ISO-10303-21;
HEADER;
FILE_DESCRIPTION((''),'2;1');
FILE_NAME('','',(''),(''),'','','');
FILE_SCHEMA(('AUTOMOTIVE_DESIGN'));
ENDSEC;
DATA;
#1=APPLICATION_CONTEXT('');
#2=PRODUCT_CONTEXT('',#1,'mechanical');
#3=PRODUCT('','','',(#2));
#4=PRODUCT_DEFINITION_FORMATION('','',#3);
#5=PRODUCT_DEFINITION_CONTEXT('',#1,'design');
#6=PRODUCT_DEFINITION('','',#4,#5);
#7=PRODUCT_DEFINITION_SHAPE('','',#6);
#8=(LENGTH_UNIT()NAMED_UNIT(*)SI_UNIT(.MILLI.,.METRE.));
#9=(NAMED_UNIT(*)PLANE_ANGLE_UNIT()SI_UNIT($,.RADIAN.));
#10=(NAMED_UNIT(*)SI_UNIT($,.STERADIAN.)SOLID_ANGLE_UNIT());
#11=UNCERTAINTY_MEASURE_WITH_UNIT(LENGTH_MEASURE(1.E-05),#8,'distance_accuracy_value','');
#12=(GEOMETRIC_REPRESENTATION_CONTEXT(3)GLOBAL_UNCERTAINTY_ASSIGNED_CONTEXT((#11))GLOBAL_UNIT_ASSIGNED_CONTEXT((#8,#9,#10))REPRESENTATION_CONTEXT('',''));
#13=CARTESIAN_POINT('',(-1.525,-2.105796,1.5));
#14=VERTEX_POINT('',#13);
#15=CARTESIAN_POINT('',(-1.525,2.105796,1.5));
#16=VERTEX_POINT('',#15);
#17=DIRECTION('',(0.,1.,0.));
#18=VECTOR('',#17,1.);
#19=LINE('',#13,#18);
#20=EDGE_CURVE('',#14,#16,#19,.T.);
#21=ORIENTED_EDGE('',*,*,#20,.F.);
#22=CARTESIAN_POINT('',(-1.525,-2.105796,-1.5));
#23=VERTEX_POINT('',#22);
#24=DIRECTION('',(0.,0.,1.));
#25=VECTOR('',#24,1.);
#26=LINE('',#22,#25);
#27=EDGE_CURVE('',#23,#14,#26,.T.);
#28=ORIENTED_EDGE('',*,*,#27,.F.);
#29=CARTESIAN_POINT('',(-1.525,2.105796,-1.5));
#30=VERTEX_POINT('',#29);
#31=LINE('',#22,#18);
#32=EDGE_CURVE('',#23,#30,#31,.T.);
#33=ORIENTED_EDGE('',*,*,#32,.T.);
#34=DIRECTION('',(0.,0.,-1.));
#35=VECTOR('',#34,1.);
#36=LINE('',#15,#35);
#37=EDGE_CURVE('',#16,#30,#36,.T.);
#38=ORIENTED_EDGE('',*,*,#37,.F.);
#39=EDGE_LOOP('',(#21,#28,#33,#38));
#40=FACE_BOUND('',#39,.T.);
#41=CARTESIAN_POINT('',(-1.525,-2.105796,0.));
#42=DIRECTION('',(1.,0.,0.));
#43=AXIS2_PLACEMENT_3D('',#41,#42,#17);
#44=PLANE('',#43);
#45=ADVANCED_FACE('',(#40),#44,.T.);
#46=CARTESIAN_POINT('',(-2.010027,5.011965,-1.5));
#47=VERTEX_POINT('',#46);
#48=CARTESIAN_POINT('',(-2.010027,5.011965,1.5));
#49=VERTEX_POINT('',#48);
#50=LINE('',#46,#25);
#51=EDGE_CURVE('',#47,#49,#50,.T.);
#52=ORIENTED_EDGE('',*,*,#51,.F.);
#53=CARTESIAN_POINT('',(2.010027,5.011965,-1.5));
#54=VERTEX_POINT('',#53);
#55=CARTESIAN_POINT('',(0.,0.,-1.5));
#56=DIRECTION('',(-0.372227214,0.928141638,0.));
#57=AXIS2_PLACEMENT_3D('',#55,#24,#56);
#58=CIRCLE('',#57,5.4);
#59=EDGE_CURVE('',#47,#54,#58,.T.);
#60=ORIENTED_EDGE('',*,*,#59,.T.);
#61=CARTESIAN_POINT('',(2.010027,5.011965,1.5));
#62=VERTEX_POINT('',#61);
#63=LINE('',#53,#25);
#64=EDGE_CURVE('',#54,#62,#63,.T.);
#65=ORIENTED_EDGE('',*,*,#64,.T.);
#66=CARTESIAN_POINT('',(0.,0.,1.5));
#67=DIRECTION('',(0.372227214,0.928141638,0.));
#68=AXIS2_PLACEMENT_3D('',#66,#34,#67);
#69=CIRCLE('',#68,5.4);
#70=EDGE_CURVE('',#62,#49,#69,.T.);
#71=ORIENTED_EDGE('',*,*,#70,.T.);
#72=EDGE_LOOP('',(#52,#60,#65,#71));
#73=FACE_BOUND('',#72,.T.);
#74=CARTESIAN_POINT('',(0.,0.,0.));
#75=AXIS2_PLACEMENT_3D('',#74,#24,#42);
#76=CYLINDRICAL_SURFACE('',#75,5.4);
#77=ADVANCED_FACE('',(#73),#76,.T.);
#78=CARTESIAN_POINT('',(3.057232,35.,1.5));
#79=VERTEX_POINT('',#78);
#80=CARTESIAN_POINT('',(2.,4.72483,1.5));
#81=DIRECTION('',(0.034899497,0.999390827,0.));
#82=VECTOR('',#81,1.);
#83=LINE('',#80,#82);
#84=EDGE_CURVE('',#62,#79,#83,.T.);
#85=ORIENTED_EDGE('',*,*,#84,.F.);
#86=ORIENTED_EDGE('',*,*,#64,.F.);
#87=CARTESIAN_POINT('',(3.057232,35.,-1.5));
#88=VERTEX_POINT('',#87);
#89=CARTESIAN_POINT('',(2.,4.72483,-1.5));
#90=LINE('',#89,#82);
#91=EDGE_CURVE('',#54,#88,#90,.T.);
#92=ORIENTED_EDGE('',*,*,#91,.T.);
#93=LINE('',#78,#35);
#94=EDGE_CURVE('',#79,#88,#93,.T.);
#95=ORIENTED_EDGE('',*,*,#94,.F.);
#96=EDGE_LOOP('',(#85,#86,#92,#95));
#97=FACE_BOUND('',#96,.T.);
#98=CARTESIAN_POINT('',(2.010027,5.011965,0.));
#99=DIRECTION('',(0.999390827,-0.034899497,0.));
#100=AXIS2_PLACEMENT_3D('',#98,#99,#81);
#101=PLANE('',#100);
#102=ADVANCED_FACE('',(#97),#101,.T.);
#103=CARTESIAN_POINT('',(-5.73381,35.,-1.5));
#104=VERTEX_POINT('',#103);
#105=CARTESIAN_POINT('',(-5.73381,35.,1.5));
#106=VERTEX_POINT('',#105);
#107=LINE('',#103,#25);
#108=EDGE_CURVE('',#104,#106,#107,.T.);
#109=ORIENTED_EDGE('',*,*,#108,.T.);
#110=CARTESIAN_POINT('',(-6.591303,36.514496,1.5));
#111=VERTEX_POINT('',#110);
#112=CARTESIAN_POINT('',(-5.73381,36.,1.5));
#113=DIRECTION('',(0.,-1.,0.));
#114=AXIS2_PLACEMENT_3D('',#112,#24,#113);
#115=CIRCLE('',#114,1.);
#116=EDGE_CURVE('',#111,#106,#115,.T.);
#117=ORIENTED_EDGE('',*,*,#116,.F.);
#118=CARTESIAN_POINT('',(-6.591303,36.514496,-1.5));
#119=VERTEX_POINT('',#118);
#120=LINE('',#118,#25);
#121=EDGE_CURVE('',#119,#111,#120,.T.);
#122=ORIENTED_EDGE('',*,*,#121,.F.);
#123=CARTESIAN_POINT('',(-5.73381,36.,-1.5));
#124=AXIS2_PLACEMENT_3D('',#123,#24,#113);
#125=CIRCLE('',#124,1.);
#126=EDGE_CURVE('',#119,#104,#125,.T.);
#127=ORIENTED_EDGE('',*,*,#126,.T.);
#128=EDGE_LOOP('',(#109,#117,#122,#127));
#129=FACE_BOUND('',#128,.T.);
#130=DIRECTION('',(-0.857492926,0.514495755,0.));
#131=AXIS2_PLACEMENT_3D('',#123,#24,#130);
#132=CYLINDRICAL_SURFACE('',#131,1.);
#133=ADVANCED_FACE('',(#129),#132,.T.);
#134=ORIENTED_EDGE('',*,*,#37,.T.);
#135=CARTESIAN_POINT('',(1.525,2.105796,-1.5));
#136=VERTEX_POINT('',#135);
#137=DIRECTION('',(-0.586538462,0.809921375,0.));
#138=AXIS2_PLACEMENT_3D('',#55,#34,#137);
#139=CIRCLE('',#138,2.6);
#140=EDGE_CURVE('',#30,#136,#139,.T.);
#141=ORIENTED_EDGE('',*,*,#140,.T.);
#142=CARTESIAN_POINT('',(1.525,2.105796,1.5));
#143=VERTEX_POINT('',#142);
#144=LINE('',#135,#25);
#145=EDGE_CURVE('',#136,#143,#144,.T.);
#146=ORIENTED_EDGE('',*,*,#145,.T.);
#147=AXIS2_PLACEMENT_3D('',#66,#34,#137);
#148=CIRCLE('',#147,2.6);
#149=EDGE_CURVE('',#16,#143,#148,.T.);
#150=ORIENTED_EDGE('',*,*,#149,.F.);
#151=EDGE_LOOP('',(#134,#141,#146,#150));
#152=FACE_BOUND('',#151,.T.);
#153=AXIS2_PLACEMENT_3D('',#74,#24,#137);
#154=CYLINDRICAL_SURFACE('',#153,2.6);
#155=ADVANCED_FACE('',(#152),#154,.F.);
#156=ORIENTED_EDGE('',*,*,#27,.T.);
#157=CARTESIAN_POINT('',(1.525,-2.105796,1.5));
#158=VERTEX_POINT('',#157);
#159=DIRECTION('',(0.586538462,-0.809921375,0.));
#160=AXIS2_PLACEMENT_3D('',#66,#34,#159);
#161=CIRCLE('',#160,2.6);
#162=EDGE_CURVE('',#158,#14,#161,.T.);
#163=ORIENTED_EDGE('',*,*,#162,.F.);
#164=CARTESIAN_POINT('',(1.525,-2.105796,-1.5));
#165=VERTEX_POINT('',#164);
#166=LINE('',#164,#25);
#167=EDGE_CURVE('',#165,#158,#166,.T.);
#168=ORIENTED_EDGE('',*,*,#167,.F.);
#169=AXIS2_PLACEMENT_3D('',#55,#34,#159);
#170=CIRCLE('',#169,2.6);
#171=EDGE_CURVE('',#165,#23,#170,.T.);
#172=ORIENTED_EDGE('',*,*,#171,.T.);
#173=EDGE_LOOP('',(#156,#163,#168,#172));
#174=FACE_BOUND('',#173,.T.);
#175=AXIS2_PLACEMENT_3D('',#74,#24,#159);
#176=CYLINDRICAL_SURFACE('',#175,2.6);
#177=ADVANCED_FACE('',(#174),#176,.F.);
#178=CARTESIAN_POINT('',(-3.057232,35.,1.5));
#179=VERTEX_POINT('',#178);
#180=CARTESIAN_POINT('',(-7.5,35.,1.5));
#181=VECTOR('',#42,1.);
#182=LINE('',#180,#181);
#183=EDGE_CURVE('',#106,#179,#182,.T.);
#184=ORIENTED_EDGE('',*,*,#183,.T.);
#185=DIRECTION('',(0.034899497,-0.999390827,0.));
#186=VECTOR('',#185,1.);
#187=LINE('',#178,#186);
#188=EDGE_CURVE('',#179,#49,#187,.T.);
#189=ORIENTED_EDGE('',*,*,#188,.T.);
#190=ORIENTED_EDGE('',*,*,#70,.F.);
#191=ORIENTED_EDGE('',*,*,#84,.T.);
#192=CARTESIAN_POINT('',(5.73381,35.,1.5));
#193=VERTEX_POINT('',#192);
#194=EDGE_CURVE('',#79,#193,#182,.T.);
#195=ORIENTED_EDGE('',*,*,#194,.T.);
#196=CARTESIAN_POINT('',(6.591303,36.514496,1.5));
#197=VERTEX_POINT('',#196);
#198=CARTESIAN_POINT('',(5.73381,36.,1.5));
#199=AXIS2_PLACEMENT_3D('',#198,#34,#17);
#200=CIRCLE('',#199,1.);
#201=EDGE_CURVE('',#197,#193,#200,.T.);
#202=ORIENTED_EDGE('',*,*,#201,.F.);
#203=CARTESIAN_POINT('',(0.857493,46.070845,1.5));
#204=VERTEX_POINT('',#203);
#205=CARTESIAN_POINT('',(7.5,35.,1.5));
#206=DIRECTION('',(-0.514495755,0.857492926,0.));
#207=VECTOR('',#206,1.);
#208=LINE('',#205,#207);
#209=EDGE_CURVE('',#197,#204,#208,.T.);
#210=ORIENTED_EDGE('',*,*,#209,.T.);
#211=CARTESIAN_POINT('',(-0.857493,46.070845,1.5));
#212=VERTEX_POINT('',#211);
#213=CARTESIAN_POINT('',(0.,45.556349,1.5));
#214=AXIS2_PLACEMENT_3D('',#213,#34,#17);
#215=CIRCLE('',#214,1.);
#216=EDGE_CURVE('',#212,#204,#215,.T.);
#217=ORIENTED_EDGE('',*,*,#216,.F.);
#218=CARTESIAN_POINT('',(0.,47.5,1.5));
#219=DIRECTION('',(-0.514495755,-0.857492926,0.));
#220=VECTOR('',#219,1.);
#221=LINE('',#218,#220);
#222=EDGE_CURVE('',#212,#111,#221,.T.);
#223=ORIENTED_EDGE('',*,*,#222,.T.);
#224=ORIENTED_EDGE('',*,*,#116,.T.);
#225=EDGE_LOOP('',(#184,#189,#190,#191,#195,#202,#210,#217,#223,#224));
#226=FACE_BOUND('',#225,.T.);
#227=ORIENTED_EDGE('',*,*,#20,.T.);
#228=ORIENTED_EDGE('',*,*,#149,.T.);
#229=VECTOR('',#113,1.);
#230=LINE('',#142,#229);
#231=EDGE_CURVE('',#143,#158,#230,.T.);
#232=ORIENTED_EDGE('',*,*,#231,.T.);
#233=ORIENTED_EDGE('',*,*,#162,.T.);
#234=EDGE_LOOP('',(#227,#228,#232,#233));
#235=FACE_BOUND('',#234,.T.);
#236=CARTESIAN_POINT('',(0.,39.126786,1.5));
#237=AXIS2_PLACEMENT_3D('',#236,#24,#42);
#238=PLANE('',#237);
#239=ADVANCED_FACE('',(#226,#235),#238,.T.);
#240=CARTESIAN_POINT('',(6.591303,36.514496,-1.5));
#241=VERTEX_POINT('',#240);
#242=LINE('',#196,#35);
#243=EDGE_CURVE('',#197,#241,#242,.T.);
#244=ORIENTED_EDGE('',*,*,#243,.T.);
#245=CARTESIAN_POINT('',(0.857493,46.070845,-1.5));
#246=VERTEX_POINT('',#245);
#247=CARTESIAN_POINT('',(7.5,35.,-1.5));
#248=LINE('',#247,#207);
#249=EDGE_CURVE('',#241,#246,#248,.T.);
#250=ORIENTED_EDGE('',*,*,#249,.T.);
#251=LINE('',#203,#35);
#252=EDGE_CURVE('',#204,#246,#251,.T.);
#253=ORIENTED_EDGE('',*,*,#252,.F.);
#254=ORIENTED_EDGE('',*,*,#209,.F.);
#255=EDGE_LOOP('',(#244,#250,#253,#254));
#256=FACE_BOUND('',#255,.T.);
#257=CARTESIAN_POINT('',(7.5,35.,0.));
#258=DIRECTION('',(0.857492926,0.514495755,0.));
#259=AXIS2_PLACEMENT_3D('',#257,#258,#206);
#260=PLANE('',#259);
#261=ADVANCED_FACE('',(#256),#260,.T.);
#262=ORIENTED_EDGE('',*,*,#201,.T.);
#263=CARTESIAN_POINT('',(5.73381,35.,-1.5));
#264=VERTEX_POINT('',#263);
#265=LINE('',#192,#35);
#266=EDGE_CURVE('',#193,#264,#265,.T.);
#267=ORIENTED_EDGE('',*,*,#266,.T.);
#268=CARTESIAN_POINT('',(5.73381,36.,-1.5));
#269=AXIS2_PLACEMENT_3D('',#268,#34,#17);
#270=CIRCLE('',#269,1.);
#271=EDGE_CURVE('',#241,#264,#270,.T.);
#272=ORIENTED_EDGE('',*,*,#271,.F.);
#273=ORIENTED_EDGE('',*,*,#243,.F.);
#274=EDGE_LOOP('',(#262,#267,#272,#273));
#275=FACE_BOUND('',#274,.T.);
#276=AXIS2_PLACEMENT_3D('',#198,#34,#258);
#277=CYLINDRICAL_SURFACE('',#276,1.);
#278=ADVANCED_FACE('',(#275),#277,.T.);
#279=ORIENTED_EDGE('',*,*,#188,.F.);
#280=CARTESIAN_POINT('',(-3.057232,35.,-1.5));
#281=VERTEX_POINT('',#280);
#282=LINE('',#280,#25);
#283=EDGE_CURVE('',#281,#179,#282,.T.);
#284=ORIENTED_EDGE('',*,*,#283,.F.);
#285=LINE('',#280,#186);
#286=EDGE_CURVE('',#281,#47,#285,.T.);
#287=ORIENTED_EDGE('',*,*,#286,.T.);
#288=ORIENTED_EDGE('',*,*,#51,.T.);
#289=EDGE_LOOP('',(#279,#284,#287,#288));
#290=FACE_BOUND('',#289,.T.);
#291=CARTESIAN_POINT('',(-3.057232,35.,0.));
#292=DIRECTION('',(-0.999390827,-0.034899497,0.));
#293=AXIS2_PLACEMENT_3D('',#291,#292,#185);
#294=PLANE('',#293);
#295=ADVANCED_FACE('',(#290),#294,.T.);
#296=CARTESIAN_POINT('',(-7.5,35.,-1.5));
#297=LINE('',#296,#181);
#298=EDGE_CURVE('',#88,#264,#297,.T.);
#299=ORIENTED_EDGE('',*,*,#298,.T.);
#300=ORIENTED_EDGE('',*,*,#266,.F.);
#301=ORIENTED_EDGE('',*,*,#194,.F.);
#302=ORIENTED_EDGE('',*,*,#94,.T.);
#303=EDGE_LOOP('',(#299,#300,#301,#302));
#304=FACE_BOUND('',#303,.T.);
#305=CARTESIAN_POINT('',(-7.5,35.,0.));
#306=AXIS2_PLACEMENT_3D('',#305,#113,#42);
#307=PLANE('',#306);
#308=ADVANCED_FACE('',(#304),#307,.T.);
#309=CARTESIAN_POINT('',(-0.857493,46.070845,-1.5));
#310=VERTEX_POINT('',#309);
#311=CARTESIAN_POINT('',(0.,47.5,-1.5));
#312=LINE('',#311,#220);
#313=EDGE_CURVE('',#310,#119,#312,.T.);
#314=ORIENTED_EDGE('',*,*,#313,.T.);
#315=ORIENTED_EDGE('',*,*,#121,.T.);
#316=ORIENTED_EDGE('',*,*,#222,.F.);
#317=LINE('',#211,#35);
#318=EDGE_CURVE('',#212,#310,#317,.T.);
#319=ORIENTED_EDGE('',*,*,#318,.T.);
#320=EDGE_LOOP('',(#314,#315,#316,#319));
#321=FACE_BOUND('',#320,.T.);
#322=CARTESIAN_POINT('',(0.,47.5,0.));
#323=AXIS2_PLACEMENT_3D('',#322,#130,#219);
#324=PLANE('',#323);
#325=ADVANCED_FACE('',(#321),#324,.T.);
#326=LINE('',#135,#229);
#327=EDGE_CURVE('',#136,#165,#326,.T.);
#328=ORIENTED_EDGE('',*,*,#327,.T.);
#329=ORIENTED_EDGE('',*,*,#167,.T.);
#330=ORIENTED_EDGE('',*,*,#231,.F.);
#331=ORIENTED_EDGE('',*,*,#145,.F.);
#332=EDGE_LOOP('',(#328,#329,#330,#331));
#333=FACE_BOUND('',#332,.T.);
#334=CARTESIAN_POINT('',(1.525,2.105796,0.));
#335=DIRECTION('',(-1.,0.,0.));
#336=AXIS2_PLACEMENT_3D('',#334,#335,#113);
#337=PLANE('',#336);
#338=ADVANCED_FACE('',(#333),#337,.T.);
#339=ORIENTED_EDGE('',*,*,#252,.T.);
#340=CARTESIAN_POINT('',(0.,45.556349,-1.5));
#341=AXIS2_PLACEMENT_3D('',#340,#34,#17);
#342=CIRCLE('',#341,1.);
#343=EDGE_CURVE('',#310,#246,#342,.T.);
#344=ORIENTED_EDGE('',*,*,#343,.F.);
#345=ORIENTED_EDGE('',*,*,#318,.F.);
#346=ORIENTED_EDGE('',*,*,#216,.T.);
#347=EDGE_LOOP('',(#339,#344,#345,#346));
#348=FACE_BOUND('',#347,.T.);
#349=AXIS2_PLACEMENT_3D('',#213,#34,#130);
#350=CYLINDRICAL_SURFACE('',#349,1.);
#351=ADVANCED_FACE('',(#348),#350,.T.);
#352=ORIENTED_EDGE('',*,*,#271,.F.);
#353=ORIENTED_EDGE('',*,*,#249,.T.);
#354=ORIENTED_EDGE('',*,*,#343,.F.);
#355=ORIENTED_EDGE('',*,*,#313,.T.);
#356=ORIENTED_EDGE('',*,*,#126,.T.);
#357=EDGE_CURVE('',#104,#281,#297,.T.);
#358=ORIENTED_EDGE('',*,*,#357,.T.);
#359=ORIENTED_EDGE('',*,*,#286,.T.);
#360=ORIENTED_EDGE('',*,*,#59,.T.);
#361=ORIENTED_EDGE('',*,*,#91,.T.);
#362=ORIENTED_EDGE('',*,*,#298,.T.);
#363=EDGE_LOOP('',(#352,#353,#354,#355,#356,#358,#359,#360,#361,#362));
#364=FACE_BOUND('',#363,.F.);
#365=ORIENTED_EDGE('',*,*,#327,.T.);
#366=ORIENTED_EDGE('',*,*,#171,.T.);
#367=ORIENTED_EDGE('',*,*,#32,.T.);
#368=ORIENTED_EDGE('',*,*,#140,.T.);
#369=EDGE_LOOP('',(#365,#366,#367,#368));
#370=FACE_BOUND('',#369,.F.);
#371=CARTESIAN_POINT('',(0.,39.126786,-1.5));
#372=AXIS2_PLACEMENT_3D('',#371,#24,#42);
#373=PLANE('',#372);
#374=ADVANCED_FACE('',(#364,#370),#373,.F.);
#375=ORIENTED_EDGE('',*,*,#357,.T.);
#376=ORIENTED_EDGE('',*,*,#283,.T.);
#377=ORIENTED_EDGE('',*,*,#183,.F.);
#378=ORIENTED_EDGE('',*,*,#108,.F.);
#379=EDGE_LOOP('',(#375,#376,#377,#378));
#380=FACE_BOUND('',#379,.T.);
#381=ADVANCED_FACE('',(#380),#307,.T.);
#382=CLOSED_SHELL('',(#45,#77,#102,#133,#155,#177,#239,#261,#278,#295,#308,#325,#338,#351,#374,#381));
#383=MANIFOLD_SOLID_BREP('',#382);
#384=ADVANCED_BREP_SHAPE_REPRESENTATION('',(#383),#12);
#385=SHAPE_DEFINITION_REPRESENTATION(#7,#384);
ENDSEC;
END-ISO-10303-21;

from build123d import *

# Parameters (mm, degrees)
F0_R     = 5.4
F1_DEPTH = 1.5
F3_DEPTH = 1.5
F4_DEPTH = 1.5
F6_DEPTH = 1.5
F7_DEPTH = 1.5
F8_R     = 1


with BuildPart() as f1:
    # F0 (on Top) → F1 (new body, symmetric)
    with BuildSketch(Plane.XY):
        Circle(F0_R)
        with BuildLine():
            ThreePointArc((1.525, 2.1057955741), (2.3157072354, 1.1821590418), (2.6, 0))
            ThreePointArc((2.6, 0), (2.3157072354, -1.1821590418), (1.525, -2.1057955741))
            ThreePointArc((1.525, -2.1057955741), (0, -2.6), (-1.525, -2.1057955741))
            ThreePointArc((-1.525, -2.1057955741), (-2.6, 0), (-1.525, 2.1057955741))
            ThreePointArc((-1.525, 2.1057955741), (0, 2.6), (1.525, 2.1057955741))
        make_face(mode=Mode.SUBTRACT)
        with BuildLine():
            ThreePointArc((1.525, -2.1057955741), (2.3157072354, -1.1821590418), (2.6, 0))
            ThreePointArc((2.6, 0), (2.3157072354, 1.1821590418), (1.525, 2.1057955741))
            Line((1.525, 2.1057955741), (1.525, -2.1057955741))
        make_face()
        with BuildLine():
            Line((-1.525, -2.1057955741), (-1.525, 2.1057955741))
            ThreePointArc((-1.525, 2.1057955741), (-2.6, 0), (-1.525, -2.1057955741))
        make_face()
    extrude(amount=F1_DEPTH, both=True)

    # F2 (on Top) → F3 (join, through all)
    with BuildSketch(Plane.XY):
        Polygon((-2, 4.724830389), (0, 4.724830389), (2, 4.724830389), (3.0572322193, 35), (0, 35), (-3.0572322193, 35), align=None)
    extrude(amount=F3_DEPTH)

    # F4 (add, through all): a face of the model
    f4_faces = [f1.faces().sort_by_distance(p)[0] for p in [
        (0, 21.149058398, 0),
    ]]
    extrude(f4_faces, amount=F4_DEPTH)

    # F5 (on Top) → F6 (join, through all)
    with BuildSketch(Plane.XY):
        Polygon((0, 47.5), (-7.5, 35), (7.5, 35), align=None)
    extrude(amount=F6_DEPTH)

    # F7 (add, through all): a face of the model
    f7_faces = [f1.faces().sort_by_distance(p)[0] for p in [
        (0, 39.1666666667, 0),
    ]]
    extrude(f7_faces, amount=F7_DEPTH)

    # F8
    f8_edges = [f1.edges().sort_by_distance(p)[0] for p in [
        (0, 47.5, 0),
        (-7.5, 35, 0),
        (7.5, 35, 0),
    ]]
    fillet(f8_edges, radius=F8_R)


solid = f1.part
